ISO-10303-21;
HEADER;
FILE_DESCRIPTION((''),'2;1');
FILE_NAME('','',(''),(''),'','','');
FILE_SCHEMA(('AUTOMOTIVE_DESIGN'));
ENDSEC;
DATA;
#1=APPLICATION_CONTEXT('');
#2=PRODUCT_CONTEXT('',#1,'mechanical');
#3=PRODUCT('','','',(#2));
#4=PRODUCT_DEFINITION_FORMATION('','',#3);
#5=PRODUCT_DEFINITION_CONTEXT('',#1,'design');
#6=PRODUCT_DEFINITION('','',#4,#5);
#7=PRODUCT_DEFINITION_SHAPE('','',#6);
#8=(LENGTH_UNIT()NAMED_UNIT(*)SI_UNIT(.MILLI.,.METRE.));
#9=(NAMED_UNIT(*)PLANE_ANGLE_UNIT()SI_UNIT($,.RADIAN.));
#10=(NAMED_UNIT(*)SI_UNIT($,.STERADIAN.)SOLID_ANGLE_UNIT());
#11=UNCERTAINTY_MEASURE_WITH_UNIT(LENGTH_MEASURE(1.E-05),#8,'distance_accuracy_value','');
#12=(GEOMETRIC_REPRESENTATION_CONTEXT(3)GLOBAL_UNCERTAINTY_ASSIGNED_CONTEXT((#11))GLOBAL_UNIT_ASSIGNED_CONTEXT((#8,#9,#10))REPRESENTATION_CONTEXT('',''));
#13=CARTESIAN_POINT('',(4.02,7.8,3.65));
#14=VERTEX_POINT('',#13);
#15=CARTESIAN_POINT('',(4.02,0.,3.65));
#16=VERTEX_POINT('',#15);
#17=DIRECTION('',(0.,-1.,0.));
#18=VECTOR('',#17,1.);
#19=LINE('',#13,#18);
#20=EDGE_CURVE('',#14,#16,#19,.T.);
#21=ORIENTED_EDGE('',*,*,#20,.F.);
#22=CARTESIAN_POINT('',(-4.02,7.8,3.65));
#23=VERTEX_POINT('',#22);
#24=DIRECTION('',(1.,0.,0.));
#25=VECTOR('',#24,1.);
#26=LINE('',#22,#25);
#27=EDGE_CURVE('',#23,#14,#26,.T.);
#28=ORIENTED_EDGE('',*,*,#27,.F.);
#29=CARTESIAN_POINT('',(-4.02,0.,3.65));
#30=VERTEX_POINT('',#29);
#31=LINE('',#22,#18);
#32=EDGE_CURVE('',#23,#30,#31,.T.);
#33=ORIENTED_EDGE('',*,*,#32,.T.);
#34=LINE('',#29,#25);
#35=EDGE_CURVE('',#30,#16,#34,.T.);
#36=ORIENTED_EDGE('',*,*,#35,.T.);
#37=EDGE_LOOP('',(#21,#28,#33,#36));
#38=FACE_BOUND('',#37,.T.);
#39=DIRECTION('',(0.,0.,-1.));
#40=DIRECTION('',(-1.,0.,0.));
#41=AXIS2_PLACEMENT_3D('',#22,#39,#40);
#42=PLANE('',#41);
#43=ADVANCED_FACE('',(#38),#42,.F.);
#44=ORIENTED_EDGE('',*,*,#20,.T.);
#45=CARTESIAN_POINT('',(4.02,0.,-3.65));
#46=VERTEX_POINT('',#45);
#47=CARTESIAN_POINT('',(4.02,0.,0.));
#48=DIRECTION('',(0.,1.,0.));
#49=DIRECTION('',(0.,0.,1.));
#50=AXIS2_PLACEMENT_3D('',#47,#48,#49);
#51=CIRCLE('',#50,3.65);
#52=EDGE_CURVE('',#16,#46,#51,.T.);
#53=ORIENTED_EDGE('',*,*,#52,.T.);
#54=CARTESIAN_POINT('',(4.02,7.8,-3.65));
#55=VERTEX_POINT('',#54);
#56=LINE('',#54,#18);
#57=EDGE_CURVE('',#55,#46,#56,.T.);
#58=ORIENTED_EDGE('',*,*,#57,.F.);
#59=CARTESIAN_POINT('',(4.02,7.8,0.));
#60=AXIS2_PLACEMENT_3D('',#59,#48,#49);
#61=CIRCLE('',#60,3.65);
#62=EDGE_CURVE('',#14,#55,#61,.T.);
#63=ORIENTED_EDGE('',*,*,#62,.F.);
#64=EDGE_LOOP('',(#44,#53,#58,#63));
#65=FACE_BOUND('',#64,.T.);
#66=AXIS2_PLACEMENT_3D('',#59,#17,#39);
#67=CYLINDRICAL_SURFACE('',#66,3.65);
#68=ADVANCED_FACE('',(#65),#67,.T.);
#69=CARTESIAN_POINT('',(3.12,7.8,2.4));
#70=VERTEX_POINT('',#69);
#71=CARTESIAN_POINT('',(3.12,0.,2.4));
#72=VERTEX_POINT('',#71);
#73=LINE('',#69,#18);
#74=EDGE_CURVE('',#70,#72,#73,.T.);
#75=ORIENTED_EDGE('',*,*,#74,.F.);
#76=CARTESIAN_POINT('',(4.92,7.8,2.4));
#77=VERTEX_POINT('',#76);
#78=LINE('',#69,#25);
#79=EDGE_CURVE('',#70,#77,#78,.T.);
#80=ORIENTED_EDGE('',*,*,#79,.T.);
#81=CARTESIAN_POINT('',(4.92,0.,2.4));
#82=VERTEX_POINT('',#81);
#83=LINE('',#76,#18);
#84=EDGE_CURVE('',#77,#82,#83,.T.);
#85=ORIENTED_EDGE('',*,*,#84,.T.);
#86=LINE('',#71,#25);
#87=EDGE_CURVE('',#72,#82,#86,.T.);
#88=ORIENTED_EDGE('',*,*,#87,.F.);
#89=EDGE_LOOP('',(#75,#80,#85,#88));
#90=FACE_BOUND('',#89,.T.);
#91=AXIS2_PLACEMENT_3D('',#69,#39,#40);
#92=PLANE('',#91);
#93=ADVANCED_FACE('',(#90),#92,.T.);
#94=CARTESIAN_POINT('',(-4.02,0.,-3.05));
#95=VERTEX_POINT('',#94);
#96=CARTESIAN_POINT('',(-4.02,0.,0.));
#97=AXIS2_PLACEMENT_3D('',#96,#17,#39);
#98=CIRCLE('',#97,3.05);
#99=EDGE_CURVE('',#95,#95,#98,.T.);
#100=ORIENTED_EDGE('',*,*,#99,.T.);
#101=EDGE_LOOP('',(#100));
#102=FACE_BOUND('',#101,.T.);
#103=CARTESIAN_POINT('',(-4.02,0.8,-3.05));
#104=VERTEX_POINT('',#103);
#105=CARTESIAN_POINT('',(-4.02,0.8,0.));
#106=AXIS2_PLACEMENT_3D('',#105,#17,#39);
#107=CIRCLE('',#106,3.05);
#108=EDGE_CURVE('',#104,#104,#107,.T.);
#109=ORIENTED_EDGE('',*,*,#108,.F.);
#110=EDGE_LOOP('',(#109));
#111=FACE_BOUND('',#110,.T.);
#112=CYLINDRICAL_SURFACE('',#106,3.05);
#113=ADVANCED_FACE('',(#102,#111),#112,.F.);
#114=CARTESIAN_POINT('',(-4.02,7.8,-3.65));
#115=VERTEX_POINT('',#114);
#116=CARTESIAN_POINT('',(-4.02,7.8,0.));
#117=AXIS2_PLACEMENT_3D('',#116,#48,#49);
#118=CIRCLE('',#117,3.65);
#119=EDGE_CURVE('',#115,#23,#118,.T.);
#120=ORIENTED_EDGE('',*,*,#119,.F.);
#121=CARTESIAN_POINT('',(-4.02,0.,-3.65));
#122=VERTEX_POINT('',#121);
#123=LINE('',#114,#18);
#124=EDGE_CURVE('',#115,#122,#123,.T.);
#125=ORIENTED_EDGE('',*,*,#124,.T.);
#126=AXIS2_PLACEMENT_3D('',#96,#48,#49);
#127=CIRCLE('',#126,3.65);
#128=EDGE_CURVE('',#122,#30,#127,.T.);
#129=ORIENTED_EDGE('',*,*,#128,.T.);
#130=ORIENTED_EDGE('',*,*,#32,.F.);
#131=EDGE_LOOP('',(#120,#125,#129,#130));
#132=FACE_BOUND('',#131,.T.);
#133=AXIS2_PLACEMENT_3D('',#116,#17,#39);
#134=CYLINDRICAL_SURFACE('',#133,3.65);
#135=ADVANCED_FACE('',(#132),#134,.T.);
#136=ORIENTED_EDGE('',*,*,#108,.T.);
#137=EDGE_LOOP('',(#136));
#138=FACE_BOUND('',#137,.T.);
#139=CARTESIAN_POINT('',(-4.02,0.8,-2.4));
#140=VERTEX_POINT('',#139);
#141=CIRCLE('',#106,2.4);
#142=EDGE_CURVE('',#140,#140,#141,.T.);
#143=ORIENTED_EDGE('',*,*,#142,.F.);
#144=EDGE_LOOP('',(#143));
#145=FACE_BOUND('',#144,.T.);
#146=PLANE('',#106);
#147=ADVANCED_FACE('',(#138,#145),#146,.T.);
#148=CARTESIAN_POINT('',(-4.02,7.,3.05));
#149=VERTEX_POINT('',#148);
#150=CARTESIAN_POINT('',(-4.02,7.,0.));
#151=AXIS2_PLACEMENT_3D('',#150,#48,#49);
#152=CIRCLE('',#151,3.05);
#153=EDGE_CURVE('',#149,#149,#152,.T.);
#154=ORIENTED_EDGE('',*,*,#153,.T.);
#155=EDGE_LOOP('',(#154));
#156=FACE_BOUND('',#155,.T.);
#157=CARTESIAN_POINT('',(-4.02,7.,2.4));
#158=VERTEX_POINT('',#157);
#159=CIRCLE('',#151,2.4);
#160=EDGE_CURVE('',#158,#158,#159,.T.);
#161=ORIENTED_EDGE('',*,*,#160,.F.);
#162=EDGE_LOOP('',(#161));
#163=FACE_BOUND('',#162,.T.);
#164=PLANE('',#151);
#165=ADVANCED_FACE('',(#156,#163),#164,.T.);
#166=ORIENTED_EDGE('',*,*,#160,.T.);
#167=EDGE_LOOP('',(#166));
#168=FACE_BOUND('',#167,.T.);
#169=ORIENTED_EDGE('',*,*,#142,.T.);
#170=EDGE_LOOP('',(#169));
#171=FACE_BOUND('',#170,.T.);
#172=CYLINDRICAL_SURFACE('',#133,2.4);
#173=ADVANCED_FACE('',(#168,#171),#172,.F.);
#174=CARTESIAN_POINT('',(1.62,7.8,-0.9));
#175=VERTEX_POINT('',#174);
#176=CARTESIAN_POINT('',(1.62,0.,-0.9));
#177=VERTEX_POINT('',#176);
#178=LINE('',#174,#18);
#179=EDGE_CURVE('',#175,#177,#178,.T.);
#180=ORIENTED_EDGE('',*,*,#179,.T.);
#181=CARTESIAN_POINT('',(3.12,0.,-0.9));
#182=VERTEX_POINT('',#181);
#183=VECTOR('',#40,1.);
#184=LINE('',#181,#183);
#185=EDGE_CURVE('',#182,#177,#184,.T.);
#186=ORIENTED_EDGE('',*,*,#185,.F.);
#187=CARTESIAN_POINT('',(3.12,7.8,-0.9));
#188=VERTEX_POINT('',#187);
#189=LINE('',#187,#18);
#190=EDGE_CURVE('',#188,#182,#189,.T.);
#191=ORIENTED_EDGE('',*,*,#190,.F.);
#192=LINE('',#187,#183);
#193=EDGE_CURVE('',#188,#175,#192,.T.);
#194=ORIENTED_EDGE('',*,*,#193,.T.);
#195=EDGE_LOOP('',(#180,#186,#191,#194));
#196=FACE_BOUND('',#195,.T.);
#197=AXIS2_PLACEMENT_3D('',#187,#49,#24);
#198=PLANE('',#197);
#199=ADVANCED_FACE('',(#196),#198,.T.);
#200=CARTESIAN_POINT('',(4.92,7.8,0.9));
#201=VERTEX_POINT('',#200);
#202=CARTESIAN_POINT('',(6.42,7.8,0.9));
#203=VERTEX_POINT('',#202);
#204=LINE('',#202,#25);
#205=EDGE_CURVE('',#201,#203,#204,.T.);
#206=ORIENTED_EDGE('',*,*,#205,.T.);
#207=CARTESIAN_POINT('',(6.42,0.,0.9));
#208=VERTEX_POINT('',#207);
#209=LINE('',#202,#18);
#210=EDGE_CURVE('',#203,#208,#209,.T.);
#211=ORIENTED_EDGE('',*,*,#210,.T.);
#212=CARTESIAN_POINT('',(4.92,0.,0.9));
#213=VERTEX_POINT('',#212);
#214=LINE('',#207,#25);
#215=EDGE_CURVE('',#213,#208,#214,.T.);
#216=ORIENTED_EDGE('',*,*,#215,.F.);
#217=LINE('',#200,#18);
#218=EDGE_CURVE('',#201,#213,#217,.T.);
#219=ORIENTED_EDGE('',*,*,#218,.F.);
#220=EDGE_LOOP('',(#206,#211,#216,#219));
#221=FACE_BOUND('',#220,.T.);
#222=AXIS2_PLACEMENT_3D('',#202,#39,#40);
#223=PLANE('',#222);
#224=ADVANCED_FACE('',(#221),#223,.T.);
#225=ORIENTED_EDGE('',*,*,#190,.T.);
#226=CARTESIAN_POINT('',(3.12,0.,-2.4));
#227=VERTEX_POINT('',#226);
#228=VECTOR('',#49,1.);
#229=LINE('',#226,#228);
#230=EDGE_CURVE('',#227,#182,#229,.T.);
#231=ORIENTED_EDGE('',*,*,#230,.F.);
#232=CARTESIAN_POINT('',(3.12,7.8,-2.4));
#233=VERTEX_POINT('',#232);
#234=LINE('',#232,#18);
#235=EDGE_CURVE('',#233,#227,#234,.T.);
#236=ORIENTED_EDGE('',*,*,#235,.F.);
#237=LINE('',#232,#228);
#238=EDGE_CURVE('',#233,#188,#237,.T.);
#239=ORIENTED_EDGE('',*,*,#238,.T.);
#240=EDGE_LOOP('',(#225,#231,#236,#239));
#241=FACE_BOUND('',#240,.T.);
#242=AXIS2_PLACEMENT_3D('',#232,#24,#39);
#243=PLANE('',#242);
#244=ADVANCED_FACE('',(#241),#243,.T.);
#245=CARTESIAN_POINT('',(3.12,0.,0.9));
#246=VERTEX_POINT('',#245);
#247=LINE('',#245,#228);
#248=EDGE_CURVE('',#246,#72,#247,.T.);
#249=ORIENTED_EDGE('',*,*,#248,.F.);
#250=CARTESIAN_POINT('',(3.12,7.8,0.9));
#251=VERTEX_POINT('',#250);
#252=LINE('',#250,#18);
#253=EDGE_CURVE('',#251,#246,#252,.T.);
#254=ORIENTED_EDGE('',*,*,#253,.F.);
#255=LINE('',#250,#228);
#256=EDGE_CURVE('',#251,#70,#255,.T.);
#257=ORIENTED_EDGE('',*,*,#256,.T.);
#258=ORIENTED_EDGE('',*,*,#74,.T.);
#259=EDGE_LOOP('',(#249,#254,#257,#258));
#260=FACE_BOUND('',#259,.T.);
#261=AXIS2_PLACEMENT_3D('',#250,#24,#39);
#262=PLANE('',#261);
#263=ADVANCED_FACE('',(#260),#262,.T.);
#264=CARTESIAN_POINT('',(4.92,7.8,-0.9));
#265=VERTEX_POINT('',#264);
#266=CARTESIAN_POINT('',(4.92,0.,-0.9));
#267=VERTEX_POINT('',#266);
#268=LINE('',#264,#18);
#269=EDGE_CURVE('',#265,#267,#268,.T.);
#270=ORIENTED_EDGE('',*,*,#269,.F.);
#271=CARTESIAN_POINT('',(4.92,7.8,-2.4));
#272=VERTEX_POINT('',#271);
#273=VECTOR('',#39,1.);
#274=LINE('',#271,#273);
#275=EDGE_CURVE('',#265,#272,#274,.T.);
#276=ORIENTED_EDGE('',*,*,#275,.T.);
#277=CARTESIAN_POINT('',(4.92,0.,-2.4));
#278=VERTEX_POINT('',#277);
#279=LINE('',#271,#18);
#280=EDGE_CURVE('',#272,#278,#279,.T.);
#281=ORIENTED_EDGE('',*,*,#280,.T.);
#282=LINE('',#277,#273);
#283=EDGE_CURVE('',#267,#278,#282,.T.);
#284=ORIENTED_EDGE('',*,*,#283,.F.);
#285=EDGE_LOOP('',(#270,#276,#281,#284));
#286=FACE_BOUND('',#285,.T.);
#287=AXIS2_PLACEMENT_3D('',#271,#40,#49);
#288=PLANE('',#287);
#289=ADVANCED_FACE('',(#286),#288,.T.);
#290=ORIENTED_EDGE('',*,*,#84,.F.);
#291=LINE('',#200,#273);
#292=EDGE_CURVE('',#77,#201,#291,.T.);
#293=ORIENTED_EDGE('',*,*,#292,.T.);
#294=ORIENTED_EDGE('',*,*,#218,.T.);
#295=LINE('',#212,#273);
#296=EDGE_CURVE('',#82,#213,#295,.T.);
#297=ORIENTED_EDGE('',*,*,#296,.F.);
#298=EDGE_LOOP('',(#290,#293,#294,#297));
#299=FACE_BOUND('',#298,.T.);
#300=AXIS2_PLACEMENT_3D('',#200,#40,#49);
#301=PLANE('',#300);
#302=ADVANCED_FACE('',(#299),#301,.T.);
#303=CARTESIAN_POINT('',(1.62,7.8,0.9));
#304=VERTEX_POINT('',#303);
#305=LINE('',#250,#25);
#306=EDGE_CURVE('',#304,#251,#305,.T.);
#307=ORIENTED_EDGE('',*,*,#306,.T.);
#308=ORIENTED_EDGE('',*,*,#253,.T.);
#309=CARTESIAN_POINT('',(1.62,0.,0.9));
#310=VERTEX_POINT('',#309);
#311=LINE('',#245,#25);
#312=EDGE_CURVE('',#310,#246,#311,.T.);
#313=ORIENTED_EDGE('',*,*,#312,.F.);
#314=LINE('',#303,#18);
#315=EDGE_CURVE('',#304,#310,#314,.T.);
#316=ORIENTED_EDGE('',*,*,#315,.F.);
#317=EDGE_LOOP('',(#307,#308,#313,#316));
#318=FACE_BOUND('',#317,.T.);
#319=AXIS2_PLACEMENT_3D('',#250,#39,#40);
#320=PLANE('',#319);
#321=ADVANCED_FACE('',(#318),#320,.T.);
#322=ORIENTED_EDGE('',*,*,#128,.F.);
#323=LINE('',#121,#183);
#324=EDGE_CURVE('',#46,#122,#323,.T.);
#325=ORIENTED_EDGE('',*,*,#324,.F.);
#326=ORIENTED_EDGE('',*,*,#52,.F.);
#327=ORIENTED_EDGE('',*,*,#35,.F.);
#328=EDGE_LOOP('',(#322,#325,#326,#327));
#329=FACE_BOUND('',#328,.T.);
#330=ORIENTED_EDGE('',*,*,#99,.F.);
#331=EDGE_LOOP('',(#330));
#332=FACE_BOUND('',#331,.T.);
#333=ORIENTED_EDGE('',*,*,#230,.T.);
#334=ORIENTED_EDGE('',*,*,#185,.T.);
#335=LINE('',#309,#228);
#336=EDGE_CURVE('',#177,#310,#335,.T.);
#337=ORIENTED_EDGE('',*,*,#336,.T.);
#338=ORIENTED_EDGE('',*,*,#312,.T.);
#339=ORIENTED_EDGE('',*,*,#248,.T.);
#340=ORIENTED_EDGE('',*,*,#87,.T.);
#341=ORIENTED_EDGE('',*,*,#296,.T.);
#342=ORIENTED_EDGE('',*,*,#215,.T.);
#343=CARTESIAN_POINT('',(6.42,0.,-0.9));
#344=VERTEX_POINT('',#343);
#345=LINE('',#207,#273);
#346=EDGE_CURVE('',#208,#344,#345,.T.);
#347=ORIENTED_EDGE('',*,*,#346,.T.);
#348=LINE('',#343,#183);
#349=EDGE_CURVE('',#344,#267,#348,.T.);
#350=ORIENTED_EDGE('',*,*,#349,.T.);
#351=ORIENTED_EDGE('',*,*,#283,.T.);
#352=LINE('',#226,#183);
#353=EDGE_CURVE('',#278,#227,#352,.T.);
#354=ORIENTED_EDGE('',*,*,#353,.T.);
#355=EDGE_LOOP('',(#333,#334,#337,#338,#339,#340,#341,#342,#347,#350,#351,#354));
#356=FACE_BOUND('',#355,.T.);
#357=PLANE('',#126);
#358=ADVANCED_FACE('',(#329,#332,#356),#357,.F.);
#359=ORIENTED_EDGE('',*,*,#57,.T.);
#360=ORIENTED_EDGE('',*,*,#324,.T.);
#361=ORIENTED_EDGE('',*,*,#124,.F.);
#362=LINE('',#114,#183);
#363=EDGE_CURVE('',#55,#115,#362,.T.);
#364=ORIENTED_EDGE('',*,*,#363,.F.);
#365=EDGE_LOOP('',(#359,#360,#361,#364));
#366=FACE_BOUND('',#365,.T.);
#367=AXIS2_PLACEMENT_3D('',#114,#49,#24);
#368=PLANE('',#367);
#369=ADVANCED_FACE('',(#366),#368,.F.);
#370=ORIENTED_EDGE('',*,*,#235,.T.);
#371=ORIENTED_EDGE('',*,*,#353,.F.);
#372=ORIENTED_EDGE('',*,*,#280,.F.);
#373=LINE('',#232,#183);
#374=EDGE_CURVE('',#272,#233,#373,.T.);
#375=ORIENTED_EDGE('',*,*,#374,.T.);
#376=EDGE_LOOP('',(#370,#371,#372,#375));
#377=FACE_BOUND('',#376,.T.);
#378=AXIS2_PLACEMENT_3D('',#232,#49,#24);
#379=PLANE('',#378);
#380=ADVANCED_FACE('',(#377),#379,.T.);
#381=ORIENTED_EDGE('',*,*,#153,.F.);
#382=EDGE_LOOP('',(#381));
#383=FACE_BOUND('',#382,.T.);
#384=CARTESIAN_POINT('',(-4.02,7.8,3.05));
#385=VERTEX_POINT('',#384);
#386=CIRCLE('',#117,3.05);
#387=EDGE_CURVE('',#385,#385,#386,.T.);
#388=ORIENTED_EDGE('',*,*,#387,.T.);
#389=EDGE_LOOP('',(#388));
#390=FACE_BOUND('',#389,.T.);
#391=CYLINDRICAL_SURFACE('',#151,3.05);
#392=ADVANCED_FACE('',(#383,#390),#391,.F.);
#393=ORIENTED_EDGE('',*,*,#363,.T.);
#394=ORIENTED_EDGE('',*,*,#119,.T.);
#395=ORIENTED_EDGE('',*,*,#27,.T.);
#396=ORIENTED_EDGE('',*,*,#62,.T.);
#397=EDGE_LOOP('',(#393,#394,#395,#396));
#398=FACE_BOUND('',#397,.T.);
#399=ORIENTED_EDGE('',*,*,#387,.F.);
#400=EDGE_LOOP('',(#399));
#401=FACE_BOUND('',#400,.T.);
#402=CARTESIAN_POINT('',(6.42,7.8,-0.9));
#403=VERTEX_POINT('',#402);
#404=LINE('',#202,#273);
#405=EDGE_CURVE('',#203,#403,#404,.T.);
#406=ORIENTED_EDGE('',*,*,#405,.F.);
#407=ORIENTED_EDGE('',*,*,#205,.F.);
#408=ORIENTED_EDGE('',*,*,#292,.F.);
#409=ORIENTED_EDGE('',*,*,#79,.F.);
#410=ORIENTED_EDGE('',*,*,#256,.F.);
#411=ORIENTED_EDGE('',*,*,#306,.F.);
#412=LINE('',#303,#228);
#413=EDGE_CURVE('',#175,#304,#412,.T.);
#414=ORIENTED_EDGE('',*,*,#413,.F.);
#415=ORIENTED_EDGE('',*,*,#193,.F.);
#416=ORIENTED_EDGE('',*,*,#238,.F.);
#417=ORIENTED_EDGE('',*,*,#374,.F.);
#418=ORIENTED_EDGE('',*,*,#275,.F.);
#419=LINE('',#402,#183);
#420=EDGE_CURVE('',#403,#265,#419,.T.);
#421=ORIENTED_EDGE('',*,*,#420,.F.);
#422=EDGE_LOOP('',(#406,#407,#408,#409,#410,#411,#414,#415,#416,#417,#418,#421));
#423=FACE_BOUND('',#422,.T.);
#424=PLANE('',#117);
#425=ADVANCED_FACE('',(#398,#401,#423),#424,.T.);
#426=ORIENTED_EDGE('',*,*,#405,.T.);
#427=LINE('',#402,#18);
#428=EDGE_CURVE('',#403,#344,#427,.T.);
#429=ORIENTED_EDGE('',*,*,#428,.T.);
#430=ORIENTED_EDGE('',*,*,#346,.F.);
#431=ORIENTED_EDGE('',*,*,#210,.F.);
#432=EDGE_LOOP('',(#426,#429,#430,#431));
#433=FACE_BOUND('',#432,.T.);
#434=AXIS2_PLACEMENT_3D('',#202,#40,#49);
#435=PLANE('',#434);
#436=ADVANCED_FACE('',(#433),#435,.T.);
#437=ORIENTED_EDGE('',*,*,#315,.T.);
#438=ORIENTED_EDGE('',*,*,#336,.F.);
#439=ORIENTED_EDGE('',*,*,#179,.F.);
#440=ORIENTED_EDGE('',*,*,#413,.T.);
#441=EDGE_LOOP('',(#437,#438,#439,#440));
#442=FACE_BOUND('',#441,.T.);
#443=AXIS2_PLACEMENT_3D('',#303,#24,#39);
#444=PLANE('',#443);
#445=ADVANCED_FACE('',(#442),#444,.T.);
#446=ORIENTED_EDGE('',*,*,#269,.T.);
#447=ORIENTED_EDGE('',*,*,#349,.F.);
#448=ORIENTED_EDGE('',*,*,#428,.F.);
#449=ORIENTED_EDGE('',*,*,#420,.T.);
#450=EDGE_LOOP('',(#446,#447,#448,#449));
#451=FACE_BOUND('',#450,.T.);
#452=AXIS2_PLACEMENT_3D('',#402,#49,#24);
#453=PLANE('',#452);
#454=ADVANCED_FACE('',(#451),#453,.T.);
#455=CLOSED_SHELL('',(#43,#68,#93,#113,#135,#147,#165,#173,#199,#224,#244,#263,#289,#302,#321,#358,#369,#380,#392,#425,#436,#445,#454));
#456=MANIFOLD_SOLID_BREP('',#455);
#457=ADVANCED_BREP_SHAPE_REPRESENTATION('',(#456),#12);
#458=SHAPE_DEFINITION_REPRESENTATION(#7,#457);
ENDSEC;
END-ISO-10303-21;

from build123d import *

# Parameters (mm, degrees)
SKETCH1_R           = 2.4
BOSS_EXTRUDE1_DEPTH = 7.8
SKETCH2_R           = 3.05
CUT_EXTRUDE1_DEPTH  = 0.8
SKETCH4_R           = 3.05
CUT_EXTRUDE2_DEPTH  = 0.8


with BuildPart() as part:
    # Sketch1 → Boss-Extrude1 (new body)
    with BuildSketch(Plane(origin=(0, 0, 0), x_dir=(1, 0, 0), z_dir=(0, 1, 0))):
        with BuildLine():
            Line((-4.02, 3.65), (4.02, 3.65))
            ThreePointArc((4.02, 3.65), (7.67, 0), (4.02, -3.65))
            Line((4.02, -3.65), (-4.02, -3.65))
            ThreePointArc((-4.02, -3.65), (-7.67, 0), (-4.02, 3.65))
        make_face()
        with Locations((-4.02, 0)):
            Circle(SKETCH1_R, mode=Mode.SUBTRACT)
        Polygon((3.12, 2.4), (3.12, 0.9), (1.62, 0.9), (1.62, -0.9), (3.12, -0.9), (3.12, -2.4), (4.92, -2.4), (4.92, -0.9), (6.42, -0.9), (6.42, 0.9), (4.92, 0.9), (4.92, 2.4), align=None, mode=Mode.SUBTRACT)
    extrude(amount=BOSS_EXTRUDE1_DEPTH)

    # Sketch2 → Cut-Extrude1 (cut)
    with BuildSketch(Plane(origin=(0, 7.8, 0), x_dir=(1, 0, 0), z_dir=(0, 1, 0))):
        with Locations((-4.02, 0)):
            Circle(SKETCH2_R)
    extrude(amount=-CUT_EXTRUDE1_DEPTH, mode=Mode.SUBTRACT)

    # Sketch4 → Cut-Extrude2 (cut)
    with BuildSketch(Plane.XZ):
        with Locations((-4.02, 0)):
            Circle(SKETCH4_R)
    extrude(amount=-CUT_EXTRUDE2_DEPTH, mode=Mode.SUBTRACT)


solid = part.part
